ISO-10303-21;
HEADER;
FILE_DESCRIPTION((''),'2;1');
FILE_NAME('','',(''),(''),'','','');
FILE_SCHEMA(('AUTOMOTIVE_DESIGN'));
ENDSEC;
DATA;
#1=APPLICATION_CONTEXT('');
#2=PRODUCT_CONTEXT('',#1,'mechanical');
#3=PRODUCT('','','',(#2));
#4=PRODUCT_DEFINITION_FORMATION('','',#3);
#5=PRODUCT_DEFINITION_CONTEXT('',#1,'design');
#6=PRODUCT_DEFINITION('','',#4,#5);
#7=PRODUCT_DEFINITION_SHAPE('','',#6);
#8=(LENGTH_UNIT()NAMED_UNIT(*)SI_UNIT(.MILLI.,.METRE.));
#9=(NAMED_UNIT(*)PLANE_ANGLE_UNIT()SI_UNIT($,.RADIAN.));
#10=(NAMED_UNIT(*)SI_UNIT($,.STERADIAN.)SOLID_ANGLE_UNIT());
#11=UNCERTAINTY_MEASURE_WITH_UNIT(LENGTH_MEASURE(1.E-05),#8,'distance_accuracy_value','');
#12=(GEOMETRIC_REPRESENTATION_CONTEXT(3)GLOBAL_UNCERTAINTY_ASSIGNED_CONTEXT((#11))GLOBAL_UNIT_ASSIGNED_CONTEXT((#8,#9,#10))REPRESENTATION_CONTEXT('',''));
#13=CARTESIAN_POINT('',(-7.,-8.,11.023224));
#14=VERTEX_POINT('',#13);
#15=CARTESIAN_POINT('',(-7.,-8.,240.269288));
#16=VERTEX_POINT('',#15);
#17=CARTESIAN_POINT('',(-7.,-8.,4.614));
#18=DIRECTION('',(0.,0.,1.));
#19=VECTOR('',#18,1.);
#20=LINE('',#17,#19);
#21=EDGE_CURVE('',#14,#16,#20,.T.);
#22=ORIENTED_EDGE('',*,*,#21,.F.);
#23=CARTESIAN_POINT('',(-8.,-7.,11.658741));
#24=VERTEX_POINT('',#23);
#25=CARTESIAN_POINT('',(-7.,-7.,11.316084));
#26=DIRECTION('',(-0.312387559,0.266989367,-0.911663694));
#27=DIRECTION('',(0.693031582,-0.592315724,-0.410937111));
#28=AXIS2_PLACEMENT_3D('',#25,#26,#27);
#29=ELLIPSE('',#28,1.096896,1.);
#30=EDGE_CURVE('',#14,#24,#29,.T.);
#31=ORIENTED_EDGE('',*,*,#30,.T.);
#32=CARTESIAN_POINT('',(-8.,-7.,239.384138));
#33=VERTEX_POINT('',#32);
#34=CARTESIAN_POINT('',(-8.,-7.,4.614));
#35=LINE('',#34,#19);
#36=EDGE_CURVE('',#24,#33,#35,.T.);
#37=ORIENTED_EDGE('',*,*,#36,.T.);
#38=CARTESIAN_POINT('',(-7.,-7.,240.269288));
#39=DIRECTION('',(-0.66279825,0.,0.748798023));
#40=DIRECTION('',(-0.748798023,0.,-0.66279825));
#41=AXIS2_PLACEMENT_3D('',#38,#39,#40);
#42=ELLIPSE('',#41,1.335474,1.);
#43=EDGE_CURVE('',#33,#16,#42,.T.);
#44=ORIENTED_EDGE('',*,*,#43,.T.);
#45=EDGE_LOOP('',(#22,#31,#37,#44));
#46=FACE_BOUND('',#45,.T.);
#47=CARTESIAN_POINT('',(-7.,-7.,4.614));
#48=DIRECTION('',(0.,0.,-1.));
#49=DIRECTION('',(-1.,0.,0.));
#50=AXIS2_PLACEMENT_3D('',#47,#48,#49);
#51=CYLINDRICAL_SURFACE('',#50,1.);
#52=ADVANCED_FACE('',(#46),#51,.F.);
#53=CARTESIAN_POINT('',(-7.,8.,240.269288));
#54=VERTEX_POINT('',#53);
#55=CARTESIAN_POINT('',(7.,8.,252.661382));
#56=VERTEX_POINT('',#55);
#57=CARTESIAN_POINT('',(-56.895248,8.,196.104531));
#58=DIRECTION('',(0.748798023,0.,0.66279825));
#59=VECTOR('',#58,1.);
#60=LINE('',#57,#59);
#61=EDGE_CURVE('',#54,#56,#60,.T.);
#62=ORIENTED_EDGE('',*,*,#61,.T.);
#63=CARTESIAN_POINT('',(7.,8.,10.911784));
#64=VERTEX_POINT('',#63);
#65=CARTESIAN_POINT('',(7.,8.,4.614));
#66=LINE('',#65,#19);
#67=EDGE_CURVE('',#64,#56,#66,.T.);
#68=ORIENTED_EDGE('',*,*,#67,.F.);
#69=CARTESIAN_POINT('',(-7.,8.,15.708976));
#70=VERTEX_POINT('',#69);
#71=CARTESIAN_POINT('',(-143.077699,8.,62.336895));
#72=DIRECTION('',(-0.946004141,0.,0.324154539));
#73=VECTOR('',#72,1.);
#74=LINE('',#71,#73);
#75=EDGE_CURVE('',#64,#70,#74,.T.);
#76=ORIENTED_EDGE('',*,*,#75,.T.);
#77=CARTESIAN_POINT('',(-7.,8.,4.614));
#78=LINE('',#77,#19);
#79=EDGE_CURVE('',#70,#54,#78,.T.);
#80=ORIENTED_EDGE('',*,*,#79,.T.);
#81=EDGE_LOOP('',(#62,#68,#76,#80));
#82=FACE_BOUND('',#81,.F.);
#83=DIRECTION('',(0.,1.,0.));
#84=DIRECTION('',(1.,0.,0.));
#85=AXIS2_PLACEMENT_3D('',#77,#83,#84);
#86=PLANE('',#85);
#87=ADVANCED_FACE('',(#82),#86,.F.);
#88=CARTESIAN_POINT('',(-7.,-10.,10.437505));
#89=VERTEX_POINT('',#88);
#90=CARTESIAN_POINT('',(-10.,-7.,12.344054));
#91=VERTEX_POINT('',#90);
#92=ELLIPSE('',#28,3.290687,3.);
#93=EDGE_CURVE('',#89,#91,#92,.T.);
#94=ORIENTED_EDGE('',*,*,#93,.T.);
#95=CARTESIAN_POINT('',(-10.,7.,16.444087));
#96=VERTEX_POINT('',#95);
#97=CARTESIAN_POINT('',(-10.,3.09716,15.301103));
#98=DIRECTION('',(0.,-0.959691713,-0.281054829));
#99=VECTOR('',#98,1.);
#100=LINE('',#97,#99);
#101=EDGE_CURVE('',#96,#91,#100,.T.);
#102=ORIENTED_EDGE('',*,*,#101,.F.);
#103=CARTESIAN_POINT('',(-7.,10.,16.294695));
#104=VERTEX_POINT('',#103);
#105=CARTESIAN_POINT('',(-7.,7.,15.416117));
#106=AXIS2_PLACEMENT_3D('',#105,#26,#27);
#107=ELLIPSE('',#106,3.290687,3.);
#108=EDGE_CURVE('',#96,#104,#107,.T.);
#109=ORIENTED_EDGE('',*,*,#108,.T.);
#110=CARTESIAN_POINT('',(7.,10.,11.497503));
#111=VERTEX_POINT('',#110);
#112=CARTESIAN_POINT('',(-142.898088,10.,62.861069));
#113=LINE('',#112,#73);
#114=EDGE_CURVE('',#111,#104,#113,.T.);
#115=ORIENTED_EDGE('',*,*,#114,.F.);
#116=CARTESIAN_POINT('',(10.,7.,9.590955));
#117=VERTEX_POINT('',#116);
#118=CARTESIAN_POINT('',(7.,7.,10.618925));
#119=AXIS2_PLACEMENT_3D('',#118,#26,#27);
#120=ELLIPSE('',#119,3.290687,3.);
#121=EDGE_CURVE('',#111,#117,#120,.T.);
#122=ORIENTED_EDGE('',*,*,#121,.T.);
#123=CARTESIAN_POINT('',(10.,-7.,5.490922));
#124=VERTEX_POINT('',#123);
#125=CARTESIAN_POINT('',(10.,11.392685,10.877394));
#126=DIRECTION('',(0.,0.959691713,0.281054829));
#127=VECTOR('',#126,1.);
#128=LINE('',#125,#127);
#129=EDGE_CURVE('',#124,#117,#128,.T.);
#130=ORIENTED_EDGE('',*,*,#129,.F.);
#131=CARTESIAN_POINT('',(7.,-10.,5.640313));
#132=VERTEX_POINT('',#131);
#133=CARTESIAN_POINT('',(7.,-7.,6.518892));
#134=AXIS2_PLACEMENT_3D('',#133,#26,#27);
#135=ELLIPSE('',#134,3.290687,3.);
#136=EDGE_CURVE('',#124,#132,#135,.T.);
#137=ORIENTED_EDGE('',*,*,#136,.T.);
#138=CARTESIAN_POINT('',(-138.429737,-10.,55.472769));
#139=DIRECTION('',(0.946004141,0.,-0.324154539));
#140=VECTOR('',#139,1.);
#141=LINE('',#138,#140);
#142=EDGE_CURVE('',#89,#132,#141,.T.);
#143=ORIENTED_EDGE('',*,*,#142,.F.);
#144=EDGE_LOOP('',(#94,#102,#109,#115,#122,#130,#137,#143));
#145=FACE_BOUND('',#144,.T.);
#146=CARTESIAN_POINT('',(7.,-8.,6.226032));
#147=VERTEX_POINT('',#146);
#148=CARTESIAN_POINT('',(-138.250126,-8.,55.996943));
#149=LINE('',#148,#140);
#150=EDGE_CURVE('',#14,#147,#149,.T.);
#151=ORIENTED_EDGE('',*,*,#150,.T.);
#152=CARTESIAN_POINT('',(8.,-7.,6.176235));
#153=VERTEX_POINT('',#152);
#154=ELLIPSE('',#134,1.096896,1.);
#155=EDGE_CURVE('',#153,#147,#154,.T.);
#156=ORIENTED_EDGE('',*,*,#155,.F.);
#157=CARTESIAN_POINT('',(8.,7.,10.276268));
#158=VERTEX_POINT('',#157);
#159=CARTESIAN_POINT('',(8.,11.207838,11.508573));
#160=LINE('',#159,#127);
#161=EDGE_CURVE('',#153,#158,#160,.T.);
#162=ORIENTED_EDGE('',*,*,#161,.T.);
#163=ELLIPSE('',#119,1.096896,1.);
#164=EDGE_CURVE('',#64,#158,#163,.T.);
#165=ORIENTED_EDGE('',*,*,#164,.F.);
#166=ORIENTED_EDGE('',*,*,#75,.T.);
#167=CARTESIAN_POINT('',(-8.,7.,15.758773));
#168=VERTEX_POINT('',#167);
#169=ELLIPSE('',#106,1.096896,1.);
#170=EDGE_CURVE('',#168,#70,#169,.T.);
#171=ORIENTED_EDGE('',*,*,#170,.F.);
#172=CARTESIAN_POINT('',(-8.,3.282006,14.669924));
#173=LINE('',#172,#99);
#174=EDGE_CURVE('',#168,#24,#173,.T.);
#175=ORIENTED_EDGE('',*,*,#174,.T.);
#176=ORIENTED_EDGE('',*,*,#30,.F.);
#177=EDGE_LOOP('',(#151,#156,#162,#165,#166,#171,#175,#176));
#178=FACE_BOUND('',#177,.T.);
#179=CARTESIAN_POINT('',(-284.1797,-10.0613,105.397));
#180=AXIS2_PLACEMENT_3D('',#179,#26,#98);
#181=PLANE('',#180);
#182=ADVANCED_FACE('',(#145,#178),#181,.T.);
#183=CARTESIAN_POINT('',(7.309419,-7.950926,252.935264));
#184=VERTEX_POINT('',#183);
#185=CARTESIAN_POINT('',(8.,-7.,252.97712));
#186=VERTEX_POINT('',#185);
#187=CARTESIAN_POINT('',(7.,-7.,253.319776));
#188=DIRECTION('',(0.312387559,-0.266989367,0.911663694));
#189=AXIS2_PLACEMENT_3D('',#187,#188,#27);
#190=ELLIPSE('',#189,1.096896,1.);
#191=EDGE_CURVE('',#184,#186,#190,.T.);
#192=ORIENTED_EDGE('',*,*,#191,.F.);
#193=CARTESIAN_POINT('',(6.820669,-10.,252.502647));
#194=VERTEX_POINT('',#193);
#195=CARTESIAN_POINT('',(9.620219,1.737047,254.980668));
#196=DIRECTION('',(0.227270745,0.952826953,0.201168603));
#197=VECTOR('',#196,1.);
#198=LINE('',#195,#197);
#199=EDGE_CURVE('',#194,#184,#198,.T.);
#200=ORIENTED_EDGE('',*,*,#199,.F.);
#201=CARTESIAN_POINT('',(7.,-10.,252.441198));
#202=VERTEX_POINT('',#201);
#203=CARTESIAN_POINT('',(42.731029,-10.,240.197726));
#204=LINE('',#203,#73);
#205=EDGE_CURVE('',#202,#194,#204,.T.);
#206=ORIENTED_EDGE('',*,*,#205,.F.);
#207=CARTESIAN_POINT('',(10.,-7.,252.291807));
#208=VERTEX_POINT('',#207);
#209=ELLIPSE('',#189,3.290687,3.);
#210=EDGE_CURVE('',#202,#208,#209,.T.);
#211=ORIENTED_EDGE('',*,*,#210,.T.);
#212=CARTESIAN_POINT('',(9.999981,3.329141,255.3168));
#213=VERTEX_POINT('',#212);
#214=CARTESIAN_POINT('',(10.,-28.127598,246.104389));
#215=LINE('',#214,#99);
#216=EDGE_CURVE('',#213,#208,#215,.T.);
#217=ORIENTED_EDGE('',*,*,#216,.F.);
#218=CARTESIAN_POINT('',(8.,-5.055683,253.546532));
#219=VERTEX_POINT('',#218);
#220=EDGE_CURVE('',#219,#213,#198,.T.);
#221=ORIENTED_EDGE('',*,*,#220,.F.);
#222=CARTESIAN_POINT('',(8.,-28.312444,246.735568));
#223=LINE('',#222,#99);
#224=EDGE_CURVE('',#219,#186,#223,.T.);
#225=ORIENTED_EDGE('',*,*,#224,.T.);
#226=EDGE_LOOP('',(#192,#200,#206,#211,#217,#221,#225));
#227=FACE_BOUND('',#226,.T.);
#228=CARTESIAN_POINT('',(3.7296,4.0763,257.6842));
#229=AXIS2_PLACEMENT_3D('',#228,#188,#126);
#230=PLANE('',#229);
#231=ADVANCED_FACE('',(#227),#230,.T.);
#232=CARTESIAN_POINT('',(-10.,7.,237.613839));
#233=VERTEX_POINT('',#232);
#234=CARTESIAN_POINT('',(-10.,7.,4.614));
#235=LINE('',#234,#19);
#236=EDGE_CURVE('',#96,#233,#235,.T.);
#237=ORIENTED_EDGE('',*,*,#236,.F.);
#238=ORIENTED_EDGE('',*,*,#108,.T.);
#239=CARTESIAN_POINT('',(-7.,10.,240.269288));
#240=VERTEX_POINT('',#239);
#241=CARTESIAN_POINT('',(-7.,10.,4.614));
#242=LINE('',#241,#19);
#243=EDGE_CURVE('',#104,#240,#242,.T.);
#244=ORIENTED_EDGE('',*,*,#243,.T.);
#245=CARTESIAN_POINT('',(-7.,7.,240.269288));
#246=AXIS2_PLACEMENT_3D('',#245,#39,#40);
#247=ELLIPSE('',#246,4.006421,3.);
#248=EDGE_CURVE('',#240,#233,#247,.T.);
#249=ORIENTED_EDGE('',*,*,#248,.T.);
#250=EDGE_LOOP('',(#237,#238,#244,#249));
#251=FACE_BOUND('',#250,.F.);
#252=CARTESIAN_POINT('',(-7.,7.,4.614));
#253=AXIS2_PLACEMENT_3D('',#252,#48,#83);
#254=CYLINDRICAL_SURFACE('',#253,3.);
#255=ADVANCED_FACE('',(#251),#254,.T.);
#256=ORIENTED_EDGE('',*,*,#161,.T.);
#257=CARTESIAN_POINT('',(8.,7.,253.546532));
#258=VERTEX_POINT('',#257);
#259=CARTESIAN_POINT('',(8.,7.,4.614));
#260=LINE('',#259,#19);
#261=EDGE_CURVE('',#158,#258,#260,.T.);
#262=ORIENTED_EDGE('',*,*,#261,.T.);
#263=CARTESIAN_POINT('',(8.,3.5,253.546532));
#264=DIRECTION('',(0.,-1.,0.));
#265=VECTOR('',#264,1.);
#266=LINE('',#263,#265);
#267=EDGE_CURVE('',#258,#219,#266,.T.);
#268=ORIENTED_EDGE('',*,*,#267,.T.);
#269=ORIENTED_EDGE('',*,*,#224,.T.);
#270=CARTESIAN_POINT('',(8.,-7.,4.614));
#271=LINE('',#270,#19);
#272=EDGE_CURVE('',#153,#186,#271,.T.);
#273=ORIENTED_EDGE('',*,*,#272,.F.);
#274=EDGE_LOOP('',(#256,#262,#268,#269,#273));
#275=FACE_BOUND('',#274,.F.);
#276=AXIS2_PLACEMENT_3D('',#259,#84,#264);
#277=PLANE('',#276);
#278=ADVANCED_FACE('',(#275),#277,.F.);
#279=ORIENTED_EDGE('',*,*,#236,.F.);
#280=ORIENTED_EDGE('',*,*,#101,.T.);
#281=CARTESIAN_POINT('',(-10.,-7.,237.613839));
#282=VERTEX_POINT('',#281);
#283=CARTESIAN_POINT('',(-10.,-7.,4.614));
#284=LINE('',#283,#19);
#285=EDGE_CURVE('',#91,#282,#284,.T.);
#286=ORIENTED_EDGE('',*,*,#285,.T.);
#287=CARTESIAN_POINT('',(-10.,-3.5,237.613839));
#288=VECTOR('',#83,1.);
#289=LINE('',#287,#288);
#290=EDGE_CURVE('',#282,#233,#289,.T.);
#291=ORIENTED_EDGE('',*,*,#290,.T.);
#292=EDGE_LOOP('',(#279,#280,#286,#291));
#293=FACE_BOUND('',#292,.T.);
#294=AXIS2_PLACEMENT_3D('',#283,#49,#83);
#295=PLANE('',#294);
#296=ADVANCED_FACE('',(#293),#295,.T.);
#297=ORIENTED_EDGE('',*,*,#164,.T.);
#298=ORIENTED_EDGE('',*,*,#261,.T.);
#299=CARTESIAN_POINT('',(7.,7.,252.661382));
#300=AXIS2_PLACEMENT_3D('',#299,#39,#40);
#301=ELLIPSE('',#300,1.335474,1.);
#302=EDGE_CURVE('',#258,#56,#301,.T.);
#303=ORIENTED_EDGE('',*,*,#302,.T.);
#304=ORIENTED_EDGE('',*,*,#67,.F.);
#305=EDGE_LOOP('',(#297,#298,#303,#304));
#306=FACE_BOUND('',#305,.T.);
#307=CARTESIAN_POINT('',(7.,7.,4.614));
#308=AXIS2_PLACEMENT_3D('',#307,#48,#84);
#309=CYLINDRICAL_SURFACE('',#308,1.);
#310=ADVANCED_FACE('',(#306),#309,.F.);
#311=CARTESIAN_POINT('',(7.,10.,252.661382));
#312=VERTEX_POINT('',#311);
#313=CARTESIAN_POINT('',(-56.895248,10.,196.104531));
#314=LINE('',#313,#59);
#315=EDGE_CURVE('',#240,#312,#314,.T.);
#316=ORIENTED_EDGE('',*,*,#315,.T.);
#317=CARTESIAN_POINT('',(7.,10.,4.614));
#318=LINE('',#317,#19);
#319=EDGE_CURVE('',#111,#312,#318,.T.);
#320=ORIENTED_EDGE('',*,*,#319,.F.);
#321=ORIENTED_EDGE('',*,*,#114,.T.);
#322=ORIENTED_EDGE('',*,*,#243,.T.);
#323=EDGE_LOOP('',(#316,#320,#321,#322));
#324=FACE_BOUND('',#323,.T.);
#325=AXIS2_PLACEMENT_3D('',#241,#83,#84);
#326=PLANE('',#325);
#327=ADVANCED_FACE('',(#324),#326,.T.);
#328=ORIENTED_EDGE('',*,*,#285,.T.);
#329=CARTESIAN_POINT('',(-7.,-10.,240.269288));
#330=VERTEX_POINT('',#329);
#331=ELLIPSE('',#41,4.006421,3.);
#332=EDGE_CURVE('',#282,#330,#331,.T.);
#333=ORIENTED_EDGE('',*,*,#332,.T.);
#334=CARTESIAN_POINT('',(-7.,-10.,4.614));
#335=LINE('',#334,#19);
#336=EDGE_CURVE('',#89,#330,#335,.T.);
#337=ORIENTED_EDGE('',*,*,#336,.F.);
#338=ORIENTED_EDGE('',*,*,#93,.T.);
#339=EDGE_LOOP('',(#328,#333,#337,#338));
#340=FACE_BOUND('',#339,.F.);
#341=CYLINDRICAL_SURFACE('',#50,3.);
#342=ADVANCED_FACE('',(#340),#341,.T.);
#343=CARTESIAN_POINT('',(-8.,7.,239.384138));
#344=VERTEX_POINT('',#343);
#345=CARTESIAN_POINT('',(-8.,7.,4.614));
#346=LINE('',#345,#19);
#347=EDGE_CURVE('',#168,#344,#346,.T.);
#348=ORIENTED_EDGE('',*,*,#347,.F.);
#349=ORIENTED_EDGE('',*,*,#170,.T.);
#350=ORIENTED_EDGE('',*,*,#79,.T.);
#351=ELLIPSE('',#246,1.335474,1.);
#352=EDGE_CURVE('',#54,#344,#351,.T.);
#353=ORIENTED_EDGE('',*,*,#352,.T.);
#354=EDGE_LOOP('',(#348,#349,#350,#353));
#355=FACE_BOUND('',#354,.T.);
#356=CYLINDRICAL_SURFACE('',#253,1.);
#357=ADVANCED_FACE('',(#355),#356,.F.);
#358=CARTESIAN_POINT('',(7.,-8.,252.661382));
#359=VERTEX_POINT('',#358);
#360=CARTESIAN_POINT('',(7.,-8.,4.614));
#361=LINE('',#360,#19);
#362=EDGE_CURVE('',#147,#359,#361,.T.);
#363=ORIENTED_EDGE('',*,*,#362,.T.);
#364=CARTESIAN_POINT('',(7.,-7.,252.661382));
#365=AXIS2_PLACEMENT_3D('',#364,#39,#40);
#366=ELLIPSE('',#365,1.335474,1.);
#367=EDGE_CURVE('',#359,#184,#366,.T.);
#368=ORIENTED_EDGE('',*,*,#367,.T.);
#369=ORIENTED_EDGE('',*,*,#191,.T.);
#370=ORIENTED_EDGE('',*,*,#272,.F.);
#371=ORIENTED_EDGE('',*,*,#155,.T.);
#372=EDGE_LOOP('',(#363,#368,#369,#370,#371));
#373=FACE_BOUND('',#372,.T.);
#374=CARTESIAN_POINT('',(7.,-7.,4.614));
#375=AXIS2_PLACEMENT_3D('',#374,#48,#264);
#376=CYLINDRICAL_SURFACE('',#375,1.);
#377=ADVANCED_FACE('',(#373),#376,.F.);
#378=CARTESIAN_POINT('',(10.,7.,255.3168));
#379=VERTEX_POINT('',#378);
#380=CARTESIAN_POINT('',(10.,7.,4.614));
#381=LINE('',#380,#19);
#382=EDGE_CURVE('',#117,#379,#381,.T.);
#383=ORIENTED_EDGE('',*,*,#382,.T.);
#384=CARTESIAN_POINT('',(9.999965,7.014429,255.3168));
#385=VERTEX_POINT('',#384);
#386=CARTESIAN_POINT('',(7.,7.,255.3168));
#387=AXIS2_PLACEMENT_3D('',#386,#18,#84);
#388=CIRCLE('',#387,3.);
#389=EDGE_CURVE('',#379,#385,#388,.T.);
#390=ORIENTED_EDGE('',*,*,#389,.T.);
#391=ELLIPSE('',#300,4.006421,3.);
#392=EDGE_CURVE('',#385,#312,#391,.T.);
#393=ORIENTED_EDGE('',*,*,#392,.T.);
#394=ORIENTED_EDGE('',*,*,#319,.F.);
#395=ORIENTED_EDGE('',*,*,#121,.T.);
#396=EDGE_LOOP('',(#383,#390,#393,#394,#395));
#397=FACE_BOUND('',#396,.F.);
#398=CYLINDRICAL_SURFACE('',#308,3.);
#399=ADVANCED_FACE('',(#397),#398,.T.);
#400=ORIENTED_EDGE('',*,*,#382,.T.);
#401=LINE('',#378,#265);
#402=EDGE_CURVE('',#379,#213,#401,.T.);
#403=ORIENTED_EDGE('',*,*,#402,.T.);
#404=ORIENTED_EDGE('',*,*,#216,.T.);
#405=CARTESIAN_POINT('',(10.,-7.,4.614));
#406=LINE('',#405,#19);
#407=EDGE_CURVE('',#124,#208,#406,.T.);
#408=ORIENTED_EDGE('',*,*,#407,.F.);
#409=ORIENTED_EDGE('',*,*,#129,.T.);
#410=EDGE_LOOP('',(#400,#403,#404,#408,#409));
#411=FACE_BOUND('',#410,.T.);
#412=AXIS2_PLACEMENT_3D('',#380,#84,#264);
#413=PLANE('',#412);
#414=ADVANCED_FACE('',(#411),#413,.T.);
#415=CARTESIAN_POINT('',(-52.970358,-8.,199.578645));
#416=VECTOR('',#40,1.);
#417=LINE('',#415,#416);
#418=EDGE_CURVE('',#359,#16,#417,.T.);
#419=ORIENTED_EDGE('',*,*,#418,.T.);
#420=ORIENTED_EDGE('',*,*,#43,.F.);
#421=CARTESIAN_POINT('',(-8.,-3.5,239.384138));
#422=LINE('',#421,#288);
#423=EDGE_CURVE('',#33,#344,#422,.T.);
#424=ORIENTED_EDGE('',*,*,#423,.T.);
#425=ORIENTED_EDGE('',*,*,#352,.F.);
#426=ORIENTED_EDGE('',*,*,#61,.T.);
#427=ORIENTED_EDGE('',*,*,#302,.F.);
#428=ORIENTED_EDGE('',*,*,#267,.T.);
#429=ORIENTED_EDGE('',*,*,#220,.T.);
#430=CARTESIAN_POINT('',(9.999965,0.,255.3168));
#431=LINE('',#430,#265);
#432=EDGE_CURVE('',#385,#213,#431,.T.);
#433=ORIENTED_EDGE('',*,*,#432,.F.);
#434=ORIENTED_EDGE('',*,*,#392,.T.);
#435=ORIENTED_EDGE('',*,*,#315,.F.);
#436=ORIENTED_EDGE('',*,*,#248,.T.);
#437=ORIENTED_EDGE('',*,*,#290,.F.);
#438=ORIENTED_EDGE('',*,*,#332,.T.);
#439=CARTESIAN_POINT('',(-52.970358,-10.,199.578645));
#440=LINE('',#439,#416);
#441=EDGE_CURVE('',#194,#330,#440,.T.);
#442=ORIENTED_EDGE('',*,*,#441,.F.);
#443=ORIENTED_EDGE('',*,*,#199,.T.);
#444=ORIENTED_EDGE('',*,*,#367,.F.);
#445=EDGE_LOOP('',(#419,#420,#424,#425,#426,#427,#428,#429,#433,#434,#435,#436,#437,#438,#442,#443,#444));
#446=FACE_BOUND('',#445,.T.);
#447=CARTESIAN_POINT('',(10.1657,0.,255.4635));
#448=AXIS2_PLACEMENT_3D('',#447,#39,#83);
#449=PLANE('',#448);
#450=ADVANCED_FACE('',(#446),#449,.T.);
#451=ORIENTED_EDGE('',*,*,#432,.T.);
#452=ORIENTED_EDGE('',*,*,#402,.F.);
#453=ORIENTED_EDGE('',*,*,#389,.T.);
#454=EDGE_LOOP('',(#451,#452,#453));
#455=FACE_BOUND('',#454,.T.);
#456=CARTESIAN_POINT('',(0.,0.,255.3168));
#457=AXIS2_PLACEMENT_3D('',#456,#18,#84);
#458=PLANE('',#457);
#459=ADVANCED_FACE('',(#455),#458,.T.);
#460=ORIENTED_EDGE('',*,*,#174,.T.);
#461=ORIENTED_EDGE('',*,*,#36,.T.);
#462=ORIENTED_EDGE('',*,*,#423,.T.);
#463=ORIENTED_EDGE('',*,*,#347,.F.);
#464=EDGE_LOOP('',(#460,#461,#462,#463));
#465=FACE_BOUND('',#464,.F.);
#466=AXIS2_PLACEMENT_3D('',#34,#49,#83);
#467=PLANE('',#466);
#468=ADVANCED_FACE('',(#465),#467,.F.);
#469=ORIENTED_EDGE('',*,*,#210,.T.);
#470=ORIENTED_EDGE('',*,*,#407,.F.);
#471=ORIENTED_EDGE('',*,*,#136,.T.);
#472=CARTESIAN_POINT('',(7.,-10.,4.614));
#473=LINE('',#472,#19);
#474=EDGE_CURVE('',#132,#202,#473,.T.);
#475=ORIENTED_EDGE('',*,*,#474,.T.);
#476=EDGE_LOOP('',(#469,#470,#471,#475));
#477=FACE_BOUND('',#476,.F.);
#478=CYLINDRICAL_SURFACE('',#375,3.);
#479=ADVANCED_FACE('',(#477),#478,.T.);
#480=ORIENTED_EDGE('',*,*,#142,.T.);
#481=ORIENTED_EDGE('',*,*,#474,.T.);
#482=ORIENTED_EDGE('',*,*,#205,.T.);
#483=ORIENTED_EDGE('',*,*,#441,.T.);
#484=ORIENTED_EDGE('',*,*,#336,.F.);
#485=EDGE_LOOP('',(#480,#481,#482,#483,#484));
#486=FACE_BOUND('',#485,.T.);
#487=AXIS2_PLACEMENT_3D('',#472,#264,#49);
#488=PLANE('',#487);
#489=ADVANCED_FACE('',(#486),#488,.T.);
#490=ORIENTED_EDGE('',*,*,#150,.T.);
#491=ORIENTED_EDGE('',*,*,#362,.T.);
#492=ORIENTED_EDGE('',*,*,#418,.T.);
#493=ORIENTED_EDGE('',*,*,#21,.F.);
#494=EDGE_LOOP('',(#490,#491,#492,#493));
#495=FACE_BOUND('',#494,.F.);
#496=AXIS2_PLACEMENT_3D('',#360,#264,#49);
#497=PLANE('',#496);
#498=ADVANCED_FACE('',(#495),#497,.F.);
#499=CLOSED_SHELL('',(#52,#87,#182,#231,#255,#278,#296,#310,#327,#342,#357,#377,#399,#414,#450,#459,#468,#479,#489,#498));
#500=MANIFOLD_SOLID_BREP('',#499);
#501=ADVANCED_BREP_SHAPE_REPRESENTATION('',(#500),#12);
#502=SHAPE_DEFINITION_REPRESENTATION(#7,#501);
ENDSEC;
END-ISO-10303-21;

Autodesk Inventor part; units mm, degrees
ref_plane "Start Plane" through (0, 0, 4.614) normal (0, 0, 1) x (1, 0, 0)
ref_plane "End Plane" through (0, 0, 255.3168) normal (0, 0, 1) x (1, 0, 0)
sketch "Sketch" plane through (0, 0, 0) normal (0, 0, 1) x (1, 0, 0)
  line L0 (-10, -7) -> (-10, 7)
  line L1 (-7, 10) -> (7, 10)
  line L2 (10, 7) -> (10, -7)
  line L3 (7, -10) -> (-7, -10)
  arc A0 (-10, -7) -> (-7, -10) centre (-7, -7) ccw
  arc A1 (-7, 10) -> (-10, 7) centre (-7, 7) ccw
  arc A2 (10, 7) -> (7, 10) centre (7, 7) ccw
  arc A3 (7, -10) -> (10, -7) centre (7, -7) ccw
  arc A4 (-7, 8) -> (-8, 7) centre (-7, 7) ccw
  line L4 (-7, 8) -> (7, 8)
  arc A5 (8, 7) -> (7, 8) centre (7, 7) ccw
  line L5 (8, 7) -> (8, -7)
  arc A6 (7, -8) -> (8, -7) centre (7, -7) ccw
  line L6 (7, -8) -> (-7, -8)
  arc A7 (-8, -7) -> (-7, -8) centre (-7, -7) ccw
  line L7 (-8, -7) -> (-8, 7)
  line L8 (0, 14.8698) -> (0, -14.8698) construction
  line L9 (-14.8698, 0) -> (14.8698, 0) construction
  dimension "d7" = 3
  dimension "d10" = 20
  dimension "d11" = 20
  dimension "d12" = 2
  dimension "d15" = 10
  dimension "d16" = 10
extrude "Body" add sketch "Sketch" along normal up to surface (250.7028 mm away) from surface at 4.614
sketch "Sketch3" plane through (0, 0, 0) normal (0, 0, 1) x (1, 0, 0)
  line L0 (0, 0) -> (10, 0)
ref_plane "Work Plane3" through (0, 0, 0) normal (0, -1, 0) x (1, 0, 0)
sketch "Sketch4" plane through (0, 0, 0) normal (0, -1, 0) x (1, 0, 0)
  line L0 (-2, 4.614) -> (12, 4.614)
  line L1 (-2, 255.3168) -> (12, 255.3168)
  dimension "d18" = 250.7028
ref_plane "Work Plane4" through (10.1657, 0, 255.4635) normal (-0.6628, 0, 0.7488) x (0.7488, 0, 0.6628)
split "Split1" plane through (10.1657, 0, 255.4635) removes the side toward (-0.6628, 0, 0.7488)
ref_plane "Work Plane8" through (3.7296, 4.0763, 257.6842) normal (0.3124, -0.267, 0.9117) x (0.949, 0.0436, -0.3124)
split "Split2" plane through (3.7296, 4.0763, 257.6842) removes the side toward (0.3124, -0.267, 0.9117)
ref_plane "Work Plane9" through (-284.1797, -10.0613, 105.397) normal (-0.3124, 0.267, -0.9117) x (-0.1048, 0.9442, 0.3124)
split "Split3" plane through (-284.1797, -10.0613, 105.397) removes the side toward (-0.3124, 0.267, -0.9117)
equation "\"d7\" = G_IR"
equation "\"d10\" = G_H"
equation "\"d11\" = G_W"
equation "\"d12\" = G_T"
equation "\"d15\" = 0.5 * d10"
equation "\"d16\" = 0.5 * d11"
equation "\"d3\" = G_L"
equation "\"G_W\" = 20"
equation "\"G_H\" = 20"
equation "\"G_T\" = 2"
equation "\"G_IR\" = 3"
equation "\"G_L\" = 250.12582"
equation "\"G_OFFSET_START\" = -4.61403"
equation "\"G_OFFSET_END\" = 8.51725"
equation "\"d13\" = -G_OFFSET_START"
equation "\"d14\" = G_OFFSET_END + B_L"
equation "\"B_L\" = 246.79957"
properties part number "ISO 12633-2 - 20x20x2 - 250,13" material "Steel, Mild"
